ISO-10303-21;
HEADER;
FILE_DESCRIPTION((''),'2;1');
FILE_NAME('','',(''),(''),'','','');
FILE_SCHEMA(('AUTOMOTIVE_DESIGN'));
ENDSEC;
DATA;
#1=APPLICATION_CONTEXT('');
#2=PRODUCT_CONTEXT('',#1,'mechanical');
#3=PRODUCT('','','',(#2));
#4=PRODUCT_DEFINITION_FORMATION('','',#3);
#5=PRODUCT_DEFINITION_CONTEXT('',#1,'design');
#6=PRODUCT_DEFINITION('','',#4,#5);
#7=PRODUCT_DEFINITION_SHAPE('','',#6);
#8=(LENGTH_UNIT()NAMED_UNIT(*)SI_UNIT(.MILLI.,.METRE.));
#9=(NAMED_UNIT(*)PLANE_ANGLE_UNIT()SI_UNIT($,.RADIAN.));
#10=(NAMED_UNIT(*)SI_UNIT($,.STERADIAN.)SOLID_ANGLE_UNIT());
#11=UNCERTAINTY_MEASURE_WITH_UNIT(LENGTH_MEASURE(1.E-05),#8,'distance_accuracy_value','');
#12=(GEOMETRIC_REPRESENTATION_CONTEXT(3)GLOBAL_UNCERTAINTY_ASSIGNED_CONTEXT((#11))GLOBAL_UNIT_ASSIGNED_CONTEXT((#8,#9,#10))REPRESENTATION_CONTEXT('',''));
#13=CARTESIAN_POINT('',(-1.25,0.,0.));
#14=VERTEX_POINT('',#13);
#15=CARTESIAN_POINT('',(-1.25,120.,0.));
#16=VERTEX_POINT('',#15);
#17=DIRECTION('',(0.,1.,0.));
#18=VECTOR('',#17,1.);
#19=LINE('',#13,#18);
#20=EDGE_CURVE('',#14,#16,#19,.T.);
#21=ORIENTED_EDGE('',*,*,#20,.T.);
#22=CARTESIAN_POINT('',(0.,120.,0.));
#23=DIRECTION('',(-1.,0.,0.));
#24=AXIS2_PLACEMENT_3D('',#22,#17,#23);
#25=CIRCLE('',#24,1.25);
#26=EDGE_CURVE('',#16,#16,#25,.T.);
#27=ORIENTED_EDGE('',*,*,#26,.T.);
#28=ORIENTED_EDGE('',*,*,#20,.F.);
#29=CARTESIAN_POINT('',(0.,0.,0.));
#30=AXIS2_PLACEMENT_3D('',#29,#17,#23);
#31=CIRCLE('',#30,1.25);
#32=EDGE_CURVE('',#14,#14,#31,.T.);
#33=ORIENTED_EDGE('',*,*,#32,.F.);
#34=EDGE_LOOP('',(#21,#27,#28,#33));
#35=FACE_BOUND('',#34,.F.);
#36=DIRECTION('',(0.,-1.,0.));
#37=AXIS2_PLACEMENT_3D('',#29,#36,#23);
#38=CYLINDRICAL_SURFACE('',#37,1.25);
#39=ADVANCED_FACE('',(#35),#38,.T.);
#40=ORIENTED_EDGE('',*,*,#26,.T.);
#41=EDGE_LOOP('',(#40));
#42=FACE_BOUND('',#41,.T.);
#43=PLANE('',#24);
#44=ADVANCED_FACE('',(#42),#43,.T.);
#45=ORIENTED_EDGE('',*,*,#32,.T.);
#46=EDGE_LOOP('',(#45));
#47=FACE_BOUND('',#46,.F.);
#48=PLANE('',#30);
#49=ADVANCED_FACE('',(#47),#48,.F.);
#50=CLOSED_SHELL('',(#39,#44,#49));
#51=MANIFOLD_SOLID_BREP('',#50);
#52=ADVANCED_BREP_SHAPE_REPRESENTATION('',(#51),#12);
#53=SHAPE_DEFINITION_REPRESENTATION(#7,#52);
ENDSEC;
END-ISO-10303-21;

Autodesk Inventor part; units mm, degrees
ref_plane "YZ Plane" through (0, 0, 0) normal (1, 0, 0) x (0, 1, 0)
ref_plane "XZ Plane" through (0, 0, 0) normal (0, 1, 0) x (-1, 0, 0)
ref_plane "XY Plane" through (0, 0, 0) normal (0, 0, 1) x (1, 0, 0)
sketch "Sketch1" plane through (0, 0, 0) normal (0, 1, 0) x (-1, 0, 0)
  circle A0 centre (0, 0) radius 1.25
  dimension "d0" = 2.5
extrude "Extrusion1" add sketch "Sketch1" along normal blind 120
properties part number "Threaded Rod"
